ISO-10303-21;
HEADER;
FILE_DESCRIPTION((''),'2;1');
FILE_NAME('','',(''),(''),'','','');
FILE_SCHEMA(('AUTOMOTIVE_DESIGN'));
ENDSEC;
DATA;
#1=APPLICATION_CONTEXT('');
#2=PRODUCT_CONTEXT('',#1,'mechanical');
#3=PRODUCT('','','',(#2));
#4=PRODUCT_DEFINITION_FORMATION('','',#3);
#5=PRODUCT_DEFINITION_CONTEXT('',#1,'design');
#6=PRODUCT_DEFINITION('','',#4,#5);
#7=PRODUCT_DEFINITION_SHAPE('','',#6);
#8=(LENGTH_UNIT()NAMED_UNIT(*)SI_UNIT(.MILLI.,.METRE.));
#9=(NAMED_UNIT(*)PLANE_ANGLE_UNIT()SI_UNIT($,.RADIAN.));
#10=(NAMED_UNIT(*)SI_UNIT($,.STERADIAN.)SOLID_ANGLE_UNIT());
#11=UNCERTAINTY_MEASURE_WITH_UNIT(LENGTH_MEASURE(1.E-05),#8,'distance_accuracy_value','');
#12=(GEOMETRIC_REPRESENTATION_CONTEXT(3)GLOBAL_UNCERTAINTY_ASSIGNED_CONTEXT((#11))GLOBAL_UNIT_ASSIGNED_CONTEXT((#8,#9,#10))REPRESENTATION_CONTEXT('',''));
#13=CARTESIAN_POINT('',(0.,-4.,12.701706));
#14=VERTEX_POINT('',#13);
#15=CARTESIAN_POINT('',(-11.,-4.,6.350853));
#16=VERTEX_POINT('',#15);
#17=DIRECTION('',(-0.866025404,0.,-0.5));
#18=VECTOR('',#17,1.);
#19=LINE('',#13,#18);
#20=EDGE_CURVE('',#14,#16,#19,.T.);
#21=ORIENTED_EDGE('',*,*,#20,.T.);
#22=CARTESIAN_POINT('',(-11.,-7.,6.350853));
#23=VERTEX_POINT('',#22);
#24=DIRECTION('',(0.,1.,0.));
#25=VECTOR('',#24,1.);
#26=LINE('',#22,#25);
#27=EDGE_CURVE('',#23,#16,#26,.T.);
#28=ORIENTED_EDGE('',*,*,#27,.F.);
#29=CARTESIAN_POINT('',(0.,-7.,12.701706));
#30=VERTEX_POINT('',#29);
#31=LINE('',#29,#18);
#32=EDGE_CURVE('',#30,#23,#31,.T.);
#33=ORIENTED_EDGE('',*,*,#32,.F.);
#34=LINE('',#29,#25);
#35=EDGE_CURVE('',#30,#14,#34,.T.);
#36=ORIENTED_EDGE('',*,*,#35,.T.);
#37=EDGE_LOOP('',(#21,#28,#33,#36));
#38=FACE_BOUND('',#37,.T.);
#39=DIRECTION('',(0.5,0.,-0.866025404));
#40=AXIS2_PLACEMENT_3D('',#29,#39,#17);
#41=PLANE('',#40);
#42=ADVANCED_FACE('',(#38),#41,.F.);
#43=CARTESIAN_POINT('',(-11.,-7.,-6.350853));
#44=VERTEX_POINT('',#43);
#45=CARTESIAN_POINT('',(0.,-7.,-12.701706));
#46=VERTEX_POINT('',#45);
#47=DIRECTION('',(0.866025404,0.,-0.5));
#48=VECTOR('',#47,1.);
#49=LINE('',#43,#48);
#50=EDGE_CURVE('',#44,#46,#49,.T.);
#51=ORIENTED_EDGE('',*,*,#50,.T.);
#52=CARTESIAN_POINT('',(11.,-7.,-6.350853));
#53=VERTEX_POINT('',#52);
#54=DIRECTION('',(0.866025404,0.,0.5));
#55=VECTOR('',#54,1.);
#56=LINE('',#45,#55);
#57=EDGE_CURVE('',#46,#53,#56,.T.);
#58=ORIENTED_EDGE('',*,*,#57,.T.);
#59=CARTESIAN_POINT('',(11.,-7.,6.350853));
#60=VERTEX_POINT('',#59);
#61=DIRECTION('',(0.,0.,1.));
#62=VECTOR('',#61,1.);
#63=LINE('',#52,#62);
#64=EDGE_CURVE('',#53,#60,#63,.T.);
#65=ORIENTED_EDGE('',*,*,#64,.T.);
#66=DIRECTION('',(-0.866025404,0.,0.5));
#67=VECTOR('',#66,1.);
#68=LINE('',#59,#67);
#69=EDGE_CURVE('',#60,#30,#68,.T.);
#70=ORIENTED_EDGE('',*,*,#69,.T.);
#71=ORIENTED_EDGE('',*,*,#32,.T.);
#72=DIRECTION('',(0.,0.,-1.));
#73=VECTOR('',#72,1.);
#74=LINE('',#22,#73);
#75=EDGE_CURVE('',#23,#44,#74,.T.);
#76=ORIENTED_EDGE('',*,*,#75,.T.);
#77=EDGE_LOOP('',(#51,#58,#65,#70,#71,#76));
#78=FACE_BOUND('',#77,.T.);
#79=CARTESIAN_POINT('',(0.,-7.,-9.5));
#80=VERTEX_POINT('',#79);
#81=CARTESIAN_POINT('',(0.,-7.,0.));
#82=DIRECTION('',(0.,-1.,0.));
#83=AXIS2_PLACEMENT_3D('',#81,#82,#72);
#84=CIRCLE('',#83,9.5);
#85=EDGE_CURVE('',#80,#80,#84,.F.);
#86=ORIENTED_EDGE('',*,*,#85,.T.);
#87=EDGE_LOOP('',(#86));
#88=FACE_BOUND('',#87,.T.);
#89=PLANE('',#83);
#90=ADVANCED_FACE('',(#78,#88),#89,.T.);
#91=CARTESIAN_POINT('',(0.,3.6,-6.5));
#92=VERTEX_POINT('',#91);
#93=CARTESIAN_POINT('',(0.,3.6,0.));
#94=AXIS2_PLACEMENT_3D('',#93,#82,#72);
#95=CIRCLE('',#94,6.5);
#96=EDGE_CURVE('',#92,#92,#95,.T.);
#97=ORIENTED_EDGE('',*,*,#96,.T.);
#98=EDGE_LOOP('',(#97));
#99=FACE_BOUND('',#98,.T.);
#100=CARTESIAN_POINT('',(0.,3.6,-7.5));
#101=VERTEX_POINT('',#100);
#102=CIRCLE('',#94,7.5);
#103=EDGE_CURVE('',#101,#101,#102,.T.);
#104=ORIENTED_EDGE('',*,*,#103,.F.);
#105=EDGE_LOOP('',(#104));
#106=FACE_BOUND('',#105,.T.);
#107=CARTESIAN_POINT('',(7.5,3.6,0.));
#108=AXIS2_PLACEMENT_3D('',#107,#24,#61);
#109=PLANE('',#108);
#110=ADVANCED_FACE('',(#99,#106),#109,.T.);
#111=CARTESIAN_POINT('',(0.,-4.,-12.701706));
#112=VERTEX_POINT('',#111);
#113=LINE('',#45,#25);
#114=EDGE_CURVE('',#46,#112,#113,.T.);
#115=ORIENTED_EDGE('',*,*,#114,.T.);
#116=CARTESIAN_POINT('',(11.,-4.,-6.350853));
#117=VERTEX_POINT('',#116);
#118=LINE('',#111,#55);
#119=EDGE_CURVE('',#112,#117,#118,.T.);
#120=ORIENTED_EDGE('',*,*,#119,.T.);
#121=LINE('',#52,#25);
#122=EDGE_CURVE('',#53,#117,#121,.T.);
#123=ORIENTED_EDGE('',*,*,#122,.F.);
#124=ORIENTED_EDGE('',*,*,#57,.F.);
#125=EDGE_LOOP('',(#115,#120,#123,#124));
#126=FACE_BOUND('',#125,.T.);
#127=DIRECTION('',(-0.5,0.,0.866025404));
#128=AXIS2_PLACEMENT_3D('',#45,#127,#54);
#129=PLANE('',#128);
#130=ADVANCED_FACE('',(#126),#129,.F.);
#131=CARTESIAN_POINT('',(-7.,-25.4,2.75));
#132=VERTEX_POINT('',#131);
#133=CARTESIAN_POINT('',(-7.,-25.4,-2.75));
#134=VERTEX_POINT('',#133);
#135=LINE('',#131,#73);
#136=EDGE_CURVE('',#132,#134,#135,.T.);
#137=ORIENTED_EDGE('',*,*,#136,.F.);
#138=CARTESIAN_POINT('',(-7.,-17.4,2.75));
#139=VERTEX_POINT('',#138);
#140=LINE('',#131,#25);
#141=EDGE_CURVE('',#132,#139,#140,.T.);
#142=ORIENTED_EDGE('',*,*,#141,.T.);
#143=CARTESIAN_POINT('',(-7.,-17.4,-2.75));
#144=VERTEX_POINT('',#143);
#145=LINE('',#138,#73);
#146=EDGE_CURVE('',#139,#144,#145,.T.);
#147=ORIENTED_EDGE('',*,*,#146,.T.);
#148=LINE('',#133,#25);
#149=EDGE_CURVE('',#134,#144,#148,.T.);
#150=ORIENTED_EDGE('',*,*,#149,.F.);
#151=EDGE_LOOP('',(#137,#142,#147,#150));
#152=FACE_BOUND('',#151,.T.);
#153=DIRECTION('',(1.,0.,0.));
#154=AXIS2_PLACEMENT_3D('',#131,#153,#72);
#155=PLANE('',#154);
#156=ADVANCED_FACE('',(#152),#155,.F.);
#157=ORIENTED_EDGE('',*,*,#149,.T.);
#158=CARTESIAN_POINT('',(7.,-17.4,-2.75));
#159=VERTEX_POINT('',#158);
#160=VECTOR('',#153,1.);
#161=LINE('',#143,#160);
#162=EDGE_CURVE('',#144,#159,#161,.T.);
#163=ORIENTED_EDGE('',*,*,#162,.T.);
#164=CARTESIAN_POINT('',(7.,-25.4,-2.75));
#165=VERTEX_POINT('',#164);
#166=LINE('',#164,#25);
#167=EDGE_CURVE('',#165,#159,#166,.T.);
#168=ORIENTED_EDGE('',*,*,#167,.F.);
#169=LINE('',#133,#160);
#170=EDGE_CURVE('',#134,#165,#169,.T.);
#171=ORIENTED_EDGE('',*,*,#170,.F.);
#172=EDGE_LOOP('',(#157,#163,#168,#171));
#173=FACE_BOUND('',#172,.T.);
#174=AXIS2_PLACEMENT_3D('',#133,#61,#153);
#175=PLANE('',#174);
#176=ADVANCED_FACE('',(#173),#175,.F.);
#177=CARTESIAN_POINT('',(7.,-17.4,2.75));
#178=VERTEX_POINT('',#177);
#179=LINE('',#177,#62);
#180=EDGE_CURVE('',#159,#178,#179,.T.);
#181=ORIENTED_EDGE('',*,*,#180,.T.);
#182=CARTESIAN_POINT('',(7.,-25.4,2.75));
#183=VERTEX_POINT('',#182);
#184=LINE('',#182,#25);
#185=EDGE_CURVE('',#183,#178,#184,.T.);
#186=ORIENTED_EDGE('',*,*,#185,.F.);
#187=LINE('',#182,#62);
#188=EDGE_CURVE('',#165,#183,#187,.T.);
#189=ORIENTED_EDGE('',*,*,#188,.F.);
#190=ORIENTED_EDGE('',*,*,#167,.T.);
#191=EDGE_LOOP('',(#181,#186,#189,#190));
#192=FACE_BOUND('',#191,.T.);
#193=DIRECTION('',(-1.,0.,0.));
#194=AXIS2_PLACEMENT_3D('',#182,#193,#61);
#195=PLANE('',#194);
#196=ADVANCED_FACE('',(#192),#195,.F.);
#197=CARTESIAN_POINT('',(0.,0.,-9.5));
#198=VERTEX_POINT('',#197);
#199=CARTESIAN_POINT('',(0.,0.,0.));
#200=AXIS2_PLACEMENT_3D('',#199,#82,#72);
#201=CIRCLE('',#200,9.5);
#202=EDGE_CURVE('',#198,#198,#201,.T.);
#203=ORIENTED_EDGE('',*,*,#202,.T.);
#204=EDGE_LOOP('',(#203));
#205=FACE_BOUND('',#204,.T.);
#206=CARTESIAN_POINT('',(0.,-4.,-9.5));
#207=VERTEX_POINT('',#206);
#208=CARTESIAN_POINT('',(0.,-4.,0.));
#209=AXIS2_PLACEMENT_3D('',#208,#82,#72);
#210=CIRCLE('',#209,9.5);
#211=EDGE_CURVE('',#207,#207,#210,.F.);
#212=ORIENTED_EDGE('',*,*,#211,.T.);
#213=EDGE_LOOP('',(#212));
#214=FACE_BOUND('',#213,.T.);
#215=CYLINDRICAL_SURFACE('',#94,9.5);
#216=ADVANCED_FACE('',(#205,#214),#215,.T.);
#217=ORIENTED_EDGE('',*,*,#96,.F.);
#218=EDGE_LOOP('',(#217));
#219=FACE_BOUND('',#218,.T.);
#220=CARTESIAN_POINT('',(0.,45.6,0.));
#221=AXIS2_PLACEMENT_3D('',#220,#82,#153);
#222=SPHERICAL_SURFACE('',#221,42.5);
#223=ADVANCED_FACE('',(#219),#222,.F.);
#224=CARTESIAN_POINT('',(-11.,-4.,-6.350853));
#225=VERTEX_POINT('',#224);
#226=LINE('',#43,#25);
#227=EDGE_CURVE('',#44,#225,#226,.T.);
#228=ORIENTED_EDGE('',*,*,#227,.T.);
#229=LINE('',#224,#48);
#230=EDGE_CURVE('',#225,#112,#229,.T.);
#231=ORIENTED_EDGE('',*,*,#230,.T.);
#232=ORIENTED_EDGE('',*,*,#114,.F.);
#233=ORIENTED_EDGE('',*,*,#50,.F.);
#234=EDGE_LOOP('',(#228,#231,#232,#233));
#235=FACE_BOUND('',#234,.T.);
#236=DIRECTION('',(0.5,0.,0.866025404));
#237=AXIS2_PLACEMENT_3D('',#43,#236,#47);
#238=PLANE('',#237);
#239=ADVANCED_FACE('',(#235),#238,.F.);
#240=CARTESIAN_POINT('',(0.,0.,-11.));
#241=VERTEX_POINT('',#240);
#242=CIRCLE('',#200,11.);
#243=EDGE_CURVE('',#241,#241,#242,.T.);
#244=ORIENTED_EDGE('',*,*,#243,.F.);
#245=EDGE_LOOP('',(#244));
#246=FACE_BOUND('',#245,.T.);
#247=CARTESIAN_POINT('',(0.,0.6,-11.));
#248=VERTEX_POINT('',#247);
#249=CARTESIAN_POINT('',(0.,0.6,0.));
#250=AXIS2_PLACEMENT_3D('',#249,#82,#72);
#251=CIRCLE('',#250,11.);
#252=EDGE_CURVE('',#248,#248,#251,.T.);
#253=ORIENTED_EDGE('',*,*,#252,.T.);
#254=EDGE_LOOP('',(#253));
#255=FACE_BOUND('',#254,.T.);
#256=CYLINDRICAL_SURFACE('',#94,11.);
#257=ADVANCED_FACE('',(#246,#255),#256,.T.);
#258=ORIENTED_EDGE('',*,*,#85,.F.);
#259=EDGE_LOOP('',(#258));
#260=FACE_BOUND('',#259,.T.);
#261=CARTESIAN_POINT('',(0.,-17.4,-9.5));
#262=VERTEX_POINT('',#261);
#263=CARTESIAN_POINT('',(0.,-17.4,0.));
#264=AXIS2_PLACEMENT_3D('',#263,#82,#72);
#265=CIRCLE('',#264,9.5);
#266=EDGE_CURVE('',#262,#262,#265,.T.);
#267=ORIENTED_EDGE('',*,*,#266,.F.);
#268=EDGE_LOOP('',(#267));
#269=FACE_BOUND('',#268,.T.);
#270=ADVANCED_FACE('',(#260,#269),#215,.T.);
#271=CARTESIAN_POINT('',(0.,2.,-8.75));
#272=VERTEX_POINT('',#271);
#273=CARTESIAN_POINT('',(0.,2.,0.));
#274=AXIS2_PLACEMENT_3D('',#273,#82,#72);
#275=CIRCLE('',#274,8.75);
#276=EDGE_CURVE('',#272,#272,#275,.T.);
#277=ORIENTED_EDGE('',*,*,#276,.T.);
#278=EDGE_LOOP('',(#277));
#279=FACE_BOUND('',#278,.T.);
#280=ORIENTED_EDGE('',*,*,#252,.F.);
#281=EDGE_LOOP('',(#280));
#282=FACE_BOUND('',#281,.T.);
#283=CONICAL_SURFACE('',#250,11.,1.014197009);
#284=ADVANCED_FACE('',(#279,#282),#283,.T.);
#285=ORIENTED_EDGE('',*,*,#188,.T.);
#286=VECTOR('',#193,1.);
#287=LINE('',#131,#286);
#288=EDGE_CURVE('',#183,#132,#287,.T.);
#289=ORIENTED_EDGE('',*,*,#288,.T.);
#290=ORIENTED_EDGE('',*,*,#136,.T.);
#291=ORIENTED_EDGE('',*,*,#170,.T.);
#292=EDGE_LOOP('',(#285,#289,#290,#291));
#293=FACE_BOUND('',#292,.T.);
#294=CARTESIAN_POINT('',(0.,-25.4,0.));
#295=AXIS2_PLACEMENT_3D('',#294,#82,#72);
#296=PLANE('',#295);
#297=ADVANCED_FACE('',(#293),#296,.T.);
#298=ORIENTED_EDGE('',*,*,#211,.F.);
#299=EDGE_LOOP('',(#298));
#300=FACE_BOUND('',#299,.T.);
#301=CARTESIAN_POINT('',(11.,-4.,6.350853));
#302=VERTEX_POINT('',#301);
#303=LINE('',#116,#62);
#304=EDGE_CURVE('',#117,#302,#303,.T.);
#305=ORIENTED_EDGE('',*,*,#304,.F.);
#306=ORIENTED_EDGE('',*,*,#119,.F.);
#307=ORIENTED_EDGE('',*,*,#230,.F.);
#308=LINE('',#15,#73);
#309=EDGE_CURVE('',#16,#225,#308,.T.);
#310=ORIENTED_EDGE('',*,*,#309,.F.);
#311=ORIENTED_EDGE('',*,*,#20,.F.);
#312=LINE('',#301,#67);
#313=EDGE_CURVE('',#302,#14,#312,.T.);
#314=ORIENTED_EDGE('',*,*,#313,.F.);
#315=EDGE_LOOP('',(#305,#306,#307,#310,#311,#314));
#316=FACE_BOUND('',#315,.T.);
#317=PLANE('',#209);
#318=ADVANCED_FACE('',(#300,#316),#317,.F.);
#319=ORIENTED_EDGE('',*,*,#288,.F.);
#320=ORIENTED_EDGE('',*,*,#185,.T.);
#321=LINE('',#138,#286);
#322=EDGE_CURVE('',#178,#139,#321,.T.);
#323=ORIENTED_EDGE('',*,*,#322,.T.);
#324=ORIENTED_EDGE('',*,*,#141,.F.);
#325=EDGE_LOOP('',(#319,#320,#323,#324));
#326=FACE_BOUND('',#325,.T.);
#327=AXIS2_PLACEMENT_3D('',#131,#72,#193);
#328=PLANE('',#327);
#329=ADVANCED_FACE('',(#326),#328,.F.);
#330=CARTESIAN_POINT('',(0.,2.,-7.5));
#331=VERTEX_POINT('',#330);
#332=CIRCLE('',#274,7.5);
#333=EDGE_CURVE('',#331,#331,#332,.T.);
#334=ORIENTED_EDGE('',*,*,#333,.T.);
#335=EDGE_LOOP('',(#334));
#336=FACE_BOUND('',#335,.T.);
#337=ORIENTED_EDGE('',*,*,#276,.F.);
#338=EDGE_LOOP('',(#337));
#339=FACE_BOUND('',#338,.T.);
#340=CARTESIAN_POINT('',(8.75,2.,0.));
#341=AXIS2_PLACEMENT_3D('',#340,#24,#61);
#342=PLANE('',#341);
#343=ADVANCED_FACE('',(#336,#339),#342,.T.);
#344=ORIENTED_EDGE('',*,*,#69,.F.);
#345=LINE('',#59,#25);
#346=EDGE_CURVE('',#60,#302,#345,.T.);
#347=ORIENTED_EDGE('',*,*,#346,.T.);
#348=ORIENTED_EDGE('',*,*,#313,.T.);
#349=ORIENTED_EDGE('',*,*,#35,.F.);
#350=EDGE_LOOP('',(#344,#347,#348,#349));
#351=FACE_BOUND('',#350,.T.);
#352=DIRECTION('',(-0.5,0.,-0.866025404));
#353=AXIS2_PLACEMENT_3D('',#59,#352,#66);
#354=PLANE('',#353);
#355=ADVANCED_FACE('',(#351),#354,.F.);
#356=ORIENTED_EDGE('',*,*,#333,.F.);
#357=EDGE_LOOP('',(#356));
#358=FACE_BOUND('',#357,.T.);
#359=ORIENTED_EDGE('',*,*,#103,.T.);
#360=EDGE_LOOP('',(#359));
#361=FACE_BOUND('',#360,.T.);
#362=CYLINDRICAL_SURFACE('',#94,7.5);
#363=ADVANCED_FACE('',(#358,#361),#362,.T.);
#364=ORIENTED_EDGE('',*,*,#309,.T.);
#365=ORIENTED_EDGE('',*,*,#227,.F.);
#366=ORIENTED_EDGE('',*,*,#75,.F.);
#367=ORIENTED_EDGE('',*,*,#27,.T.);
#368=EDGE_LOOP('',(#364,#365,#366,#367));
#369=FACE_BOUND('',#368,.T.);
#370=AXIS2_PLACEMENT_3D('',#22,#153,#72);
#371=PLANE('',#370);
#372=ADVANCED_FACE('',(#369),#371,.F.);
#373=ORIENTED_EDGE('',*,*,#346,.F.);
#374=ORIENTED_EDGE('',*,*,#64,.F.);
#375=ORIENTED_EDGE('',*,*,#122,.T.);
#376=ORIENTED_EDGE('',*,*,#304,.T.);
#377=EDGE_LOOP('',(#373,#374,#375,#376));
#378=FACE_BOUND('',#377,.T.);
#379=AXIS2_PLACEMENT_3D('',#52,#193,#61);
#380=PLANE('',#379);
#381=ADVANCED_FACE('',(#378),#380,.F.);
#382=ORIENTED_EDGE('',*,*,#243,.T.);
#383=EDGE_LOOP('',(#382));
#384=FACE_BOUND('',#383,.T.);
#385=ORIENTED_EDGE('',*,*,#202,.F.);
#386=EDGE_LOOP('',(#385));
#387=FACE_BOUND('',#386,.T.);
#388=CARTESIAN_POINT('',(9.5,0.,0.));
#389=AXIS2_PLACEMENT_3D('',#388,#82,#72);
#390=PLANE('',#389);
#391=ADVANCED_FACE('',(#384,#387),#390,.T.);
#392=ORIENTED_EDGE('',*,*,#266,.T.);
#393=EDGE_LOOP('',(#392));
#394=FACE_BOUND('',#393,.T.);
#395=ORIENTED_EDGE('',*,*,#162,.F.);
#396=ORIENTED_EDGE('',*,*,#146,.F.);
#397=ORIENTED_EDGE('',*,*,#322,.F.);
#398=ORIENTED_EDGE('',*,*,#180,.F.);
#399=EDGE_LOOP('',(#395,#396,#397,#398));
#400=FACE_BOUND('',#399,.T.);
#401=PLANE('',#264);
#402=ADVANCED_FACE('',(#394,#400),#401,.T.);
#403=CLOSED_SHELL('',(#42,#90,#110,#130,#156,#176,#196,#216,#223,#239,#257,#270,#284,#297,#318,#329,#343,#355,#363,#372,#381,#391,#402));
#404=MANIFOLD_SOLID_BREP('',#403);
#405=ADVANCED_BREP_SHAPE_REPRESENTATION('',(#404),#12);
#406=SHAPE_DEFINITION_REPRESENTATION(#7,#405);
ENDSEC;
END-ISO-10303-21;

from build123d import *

# Parameters (mm, degrees)
SKETCH2_W           = 14
SKETCH2_H           = 5.5
BOSS_EXTRUDE1_DEPTH = 8
BOSS_EXTRUDE2_START = 4
BOSS_EXTRUDE2_DEPTH = 3


with BuildPart() as part:
    # Sketch1 → Revolve1 (revolve)
    with BuildSketch(Plane.XY, mode=Mode.PRIVATE) as revolve1_sk:
        with BuildLine():
            Line((9.5, 0), (11, 0))
            Line((11, 0), (11, 0.6))
            Line((11, 0.6), (8.75, 2))
            Line((8.75, 2), (7.5, 2))
            Line((7.5, 2), (7.5, 3.6))
            Line((7.5, 3.6), (6.5, 3.6))
            ThreePointArc((6.5, 3.6), (3.259601203, 3.225184366), (0, 3.1))
            Line((0, 3.1), (0, -17.4))
            Line((0, -17.4), (9.5, -17.4))
            Line((9.5, -17.4), (9.5, 0))
        make_face()
    revolve(revolve1_sk.sketch.rotate(Axis((0, 3.6, 0), (0, 1, 0)), 90), axis=Axis((0, 3.6, 0), (0, 1, 0)))

    # Sketch2 → Boss-Extrude1 (add)
    with BuildSketch(Plane.XZ.offset(17.4)):
        Rectangle(SKETCH2_W, SKETCH2_H)
    extrude(amount=BOSS_EXTRUDE1_DEPTH)

    # Sketch3 → Boss-Extrude2 (add)
    with BuildSketch(Plane.XZ.offset(BOSS_EXTRUDE2_START)):
        Polygon((0, 12.701705922), (-11, 6.350852961), (-11, -6.350852961), (0, -12.701705922), (11, -6.350852961), (11, 6.350852961), align=None)
    extrude(amount=BOSS_EXTRUDE2_DEPTH)


solid = part.part
